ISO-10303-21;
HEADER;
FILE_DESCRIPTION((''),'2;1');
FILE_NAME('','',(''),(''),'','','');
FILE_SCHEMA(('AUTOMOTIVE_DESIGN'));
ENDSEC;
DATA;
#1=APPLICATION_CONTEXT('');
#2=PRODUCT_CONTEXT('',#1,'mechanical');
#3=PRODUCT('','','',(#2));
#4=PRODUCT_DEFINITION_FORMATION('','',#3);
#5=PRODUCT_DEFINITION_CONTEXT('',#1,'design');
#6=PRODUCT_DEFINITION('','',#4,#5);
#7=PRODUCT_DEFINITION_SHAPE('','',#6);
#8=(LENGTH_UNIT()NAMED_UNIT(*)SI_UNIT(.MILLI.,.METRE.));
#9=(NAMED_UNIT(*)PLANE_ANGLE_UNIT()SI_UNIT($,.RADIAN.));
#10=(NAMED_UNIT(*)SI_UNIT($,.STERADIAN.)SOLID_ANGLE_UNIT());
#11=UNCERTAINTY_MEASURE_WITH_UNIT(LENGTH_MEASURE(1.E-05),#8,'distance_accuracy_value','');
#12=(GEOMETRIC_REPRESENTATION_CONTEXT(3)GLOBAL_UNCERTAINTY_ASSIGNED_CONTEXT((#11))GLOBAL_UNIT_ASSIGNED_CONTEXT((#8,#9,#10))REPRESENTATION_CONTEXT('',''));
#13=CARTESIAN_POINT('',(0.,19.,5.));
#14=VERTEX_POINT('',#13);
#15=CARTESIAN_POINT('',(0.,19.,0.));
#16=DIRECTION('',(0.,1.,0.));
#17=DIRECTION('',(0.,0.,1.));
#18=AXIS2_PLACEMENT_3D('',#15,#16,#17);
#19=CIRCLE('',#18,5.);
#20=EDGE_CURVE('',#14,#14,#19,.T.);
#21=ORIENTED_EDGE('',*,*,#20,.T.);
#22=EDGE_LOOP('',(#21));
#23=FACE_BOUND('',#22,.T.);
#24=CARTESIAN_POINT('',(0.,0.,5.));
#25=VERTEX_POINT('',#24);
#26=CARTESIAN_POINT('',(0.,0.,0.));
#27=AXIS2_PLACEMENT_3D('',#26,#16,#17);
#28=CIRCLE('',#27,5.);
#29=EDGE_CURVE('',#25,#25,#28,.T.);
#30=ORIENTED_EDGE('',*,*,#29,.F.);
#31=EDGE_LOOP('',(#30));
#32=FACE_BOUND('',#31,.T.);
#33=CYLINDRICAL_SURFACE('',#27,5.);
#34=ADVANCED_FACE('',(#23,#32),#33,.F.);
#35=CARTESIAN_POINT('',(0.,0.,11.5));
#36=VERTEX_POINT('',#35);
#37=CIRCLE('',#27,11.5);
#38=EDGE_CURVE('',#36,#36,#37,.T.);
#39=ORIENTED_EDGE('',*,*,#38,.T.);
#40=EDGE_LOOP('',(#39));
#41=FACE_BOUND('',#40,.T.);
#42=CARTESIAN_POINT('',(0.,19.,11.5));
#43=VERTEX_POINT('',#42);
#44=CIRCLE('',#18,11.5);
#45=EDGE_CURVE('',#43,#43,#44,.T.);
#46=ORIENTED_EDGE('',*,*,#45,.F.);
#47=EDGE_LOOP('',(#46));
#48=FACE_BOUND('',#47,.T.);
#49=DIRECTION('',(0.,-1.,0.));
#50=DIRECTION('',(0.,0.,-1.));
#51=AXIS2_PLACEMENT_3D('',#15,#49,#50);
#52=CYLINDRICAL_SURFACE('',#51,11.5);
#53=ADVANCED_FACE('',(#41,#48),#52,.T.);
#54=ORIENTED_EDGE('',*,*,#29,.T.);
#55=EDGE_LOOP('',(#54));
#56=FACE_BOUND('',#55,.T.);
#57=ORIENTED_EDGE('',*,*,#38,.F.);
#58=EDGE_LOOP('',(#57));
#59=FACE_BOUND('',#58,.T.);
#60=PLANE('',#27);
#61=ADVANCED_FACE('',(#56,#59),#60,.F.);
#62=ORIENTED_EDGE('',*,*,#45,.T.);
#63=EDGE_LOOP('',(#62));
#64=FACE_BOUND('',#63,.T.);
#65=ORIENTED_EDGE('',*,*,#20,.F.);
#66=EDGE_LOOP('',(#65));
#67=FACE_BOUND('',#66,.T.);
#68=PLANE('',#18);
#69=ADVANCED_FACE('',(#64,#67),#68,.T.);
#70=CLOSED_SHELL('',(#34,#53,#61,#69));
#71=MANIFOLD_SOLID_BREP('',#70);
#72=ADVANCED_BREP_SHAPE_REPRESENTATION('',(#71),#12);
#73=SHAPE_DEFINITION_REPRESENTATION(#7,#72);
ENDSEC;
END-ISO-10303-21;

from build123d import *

# Parameters (mm, degrees)
SKETCH1_R           = 11.5
BOSS_EXTRUDE1_DEPTH = 19
SKETCH2_R           = 5
CUT_EXTRUDE1_DEPTH  = 20


with BuildPart() as part:
    # Sketch1 → Boss-Extrude1 (new body)
    with BuildSketch(Plane(origin=(0, 0, 0), x_dir=(1, 0, 0), z_dir=(0, 1, 0))):
        Circle(SKETCH1_R)
    extrude(amount=BOSS_EXTRUDE1_DEPTH)

    # Sketch2 → Cut-Extrude1 (cut, through all)
    with BuildSketch(Plane(origin=(0, 19, 0), x_dir=(1, 0, 0), z_dir=(0, 1, 0))):
        Circle(SKETCH2_R)
    extrude(amount=-CUT_EXTRUDE1_DEPTH, mode=Mode.SUBTRACT)


solid = part.part
